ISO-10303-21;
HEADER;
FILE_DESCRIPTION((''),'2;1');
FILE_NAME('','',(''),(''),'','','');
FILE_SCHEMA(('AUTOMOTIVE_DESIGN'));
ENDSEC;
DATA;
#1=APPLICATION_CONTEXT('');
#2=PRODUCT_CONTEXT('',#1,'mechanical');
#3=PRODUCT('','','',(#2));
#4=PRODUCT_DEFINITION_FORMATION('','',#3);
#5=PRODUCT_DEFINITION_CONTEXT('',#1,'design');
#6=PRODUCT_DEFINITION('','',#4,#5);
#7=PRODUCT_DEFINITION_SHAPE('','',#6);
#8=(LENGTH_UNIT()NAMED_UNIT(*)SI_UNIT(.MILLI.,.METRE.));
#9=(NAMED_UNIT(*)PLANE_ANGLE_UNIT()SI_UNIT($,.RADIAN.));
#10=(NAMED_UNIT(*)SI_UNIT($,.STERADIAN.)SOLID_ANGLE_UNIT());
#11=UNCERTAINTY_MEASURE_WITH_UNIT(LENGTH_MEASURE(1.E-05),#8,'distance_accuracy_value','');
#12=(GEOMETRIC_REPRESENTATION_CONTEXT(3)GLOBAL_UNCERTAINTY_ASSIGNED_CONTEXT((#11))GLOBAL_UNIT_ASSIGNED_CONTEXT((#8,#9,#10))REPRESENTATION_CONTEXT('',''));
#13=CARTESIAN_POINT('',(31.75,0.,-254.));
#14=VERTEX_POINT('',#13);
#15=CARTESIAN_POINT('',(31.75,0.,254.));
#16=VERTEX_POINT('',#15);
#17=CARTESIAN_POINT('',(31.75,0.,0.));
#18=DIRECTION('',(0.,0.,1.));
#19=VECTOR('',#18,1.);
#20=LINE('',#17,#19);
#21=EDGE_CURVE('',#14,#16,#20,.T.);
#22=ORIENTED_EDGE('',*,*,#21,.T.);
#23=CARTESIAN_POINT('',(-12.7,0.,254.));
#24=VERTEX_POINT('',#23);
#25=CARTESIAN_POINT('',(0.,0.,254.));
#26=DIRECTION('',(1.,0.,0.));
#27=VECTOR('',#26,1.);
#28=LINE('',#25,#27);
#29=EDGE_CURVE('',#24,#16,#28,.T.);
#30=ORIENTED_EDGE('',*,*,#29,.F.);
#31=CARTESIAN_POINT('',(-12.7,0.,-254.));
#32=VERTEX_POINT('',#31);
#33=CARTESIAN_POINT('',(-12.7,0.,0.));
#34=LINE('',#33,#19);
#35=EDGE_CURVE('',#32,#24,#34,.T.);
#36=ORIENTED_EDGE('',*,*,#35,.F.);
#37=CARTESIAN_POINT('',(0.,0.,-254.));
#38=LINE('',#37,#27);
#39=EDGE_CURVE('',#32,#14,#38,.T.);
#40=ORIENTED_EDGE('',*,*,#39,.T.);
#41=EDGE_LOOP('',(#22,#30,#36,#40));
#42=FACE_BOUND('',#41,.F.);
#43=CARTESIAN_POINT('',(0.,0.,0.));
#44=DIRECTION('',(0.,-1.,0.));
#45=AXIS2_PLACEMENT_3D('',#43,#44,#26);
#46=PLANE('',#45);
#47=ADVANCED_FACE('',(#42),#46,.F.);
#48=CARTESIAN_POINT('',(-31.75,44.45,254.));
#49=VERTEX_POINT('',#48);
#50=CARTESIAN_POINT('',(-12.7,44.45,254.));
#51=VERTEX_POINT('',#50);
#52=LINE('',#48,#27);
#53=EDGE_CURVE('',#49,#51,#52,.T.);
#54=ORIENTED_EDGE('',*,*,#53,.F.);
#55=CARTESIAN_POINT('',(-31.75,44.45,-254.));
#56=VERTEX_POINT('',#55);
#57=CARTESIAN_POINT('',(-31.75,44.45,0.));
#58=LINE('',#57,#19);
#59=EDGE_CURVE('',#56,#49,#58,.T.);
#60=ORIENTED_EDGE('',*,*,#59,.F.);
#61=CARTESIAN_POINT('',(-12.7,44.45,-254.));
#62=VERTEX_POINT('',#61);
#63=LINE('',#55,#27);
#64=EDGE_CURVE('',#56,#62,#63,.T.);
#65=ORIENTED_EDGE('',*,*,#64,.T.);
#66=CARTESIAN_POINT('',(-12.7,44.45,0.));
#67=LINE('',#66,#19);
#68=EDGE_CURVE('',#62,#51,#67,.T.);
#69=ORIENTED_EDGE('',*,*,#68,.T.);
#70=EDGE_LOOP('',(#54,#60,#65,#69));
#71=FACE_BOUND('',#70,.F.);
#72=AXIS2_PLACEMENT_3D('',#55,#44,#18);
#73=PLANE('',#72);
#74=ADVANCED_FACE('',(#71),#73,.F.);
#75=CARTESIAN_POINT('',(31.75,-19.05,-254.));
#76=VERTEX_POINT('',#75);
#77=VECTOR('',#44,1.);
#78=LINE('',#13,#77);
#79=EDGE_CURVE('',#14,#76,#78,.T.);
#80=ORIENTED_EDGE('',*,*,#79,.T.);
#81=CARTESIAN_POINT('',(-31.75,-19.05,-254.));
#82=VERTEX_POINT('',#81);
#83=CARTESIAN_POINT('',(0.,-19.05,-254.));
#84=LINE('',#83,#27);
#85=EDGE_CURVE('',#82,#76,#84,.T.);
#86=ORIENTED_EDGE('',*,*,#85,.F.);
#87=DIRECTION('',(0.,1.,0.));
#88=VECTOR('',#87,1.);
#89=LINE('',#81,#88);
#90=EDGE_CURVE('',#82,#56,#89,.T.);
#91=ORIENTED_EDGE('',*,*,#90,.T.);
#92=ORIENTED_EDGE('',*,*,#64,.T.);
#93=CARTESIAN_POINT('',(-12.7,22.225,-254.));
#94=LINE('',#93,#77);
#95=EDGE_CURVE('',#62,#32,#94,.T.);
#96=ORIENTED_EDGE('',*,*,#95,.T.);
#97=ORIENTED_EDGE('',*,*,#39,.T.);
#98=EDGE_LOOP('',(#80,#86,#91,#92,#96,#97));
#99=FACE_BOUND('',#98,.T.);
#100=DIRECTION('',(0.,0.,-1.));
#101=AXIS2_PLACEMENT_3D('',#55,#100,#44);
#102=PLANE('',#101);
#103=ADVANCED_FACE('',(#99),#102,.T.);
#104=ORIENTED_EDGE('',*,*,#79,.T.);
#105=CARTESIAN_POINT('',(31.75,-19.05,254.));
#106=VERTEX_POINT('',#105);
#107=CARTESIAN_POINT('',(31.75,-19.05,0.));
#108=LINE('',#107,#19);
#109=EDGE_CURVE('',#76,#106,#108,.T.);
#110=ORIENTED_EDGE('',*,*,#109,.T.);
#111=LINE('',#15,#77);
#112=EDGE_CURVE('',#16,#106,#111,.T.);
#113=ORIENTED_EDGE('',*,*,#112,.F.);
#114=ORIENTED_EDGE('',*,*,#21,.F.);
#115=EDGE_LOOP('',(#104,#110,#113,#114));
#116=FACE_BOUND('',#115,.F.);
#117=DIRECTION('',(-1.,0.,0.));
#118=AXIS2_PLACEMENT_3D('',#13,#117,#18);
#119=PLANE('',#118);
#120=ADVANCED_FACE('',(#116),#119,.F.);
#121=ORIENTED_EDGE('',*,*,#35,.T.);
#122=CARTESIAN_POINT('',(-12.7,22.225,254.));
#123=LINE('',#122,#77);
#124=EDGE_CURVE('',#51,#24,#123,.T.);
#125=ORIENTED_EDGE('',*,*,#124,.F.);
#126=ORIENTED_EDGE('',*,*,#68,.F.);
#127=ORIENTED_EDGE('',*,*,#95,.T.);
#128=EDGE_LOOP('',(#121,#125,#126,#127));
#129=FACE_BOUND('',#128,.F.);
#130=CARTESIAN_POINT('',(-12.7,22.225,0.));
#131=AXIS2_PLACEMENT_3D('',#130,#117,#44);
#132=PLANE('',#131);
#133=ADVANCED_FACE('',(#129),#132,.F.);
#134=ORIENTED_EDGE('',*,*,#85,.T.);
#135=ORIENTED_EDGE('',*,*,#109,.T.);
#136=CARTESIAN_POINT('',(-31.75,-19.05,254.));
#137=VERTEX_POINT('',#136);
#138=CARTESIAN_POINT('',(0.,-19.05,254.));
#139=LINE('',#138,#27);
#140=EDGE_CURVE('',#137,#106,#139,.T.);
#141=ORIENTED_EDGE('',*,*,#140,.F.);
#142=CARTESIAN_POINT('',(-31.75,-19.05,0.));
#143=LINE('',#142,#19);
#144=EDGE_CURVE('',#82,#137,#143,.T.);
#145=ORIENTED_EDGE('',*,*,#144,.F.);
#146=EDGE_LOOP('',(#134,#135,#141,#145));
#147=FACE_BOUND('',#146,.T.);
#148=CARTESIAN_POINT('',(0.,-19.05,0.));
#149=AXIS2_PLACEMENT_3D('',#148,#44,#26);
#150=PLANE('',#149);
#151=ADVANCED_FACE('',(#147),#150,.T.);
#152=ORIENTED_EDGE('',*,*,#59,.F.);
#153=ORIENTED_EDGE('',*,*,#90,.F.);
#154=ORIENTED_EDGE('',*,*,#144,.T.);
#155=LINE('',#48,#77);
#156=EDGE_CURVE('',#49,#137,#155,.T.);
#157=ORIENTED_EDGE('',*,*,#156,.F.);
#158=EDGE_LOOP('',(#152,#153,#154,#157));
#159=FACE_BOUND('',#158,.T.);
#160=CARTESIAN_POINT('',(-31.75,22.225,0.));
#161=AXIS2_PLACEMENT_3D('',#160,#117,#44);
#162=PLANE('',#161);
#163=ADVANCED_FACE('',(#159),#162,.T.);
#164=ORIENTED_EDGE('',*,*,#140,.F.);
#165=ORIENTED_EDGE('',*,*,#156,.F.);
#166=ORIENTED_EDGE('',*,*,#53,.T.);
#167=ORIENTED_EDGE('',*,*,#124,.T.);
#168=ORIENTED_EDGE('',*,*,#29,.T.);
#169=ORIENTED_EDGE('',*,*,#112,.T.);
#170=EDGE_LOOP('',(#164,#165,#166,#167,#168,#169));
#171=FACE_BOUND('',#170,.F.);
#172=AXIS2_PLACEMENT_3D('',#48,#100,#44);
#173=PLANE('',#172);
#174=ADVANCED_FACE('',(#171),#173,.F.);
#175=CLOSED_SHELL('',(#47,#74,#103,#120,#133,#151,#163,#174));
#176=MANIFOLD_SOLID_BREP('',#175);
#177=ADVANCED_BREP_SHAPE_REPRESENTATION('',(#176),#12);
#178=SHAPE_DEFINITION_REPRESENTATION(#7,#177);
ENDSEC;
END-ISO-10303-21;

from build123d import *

# Parameters (mm, degrees)
F0_W     = 63.5
F0_H     = 508
F1_DEPTH = 19.05
F2_W     = 44.45
F2_H     = 508
F3_DEPTH = 19.05


with BuildPart() as f1:
    # F0 (on Front) → F1 (new body)
    with BuildSketch(Plane.XZ):
        Rectangle(F0_W, F0_H)
    extrude(amount=F1_DEPTH)

    # F2 (on face) → F3 (join)
    with BuildSketch(Plane(origin=(-31.75, 0, 0), x_dir=(0, -1, 0), z_dir=(-1, 0, 0))):
        with Locations((-22.225, 0)):
            Rectangle(F2_W, F2_H)
    extrude(amount=-F3_DEPTH)


solid = f1.part
